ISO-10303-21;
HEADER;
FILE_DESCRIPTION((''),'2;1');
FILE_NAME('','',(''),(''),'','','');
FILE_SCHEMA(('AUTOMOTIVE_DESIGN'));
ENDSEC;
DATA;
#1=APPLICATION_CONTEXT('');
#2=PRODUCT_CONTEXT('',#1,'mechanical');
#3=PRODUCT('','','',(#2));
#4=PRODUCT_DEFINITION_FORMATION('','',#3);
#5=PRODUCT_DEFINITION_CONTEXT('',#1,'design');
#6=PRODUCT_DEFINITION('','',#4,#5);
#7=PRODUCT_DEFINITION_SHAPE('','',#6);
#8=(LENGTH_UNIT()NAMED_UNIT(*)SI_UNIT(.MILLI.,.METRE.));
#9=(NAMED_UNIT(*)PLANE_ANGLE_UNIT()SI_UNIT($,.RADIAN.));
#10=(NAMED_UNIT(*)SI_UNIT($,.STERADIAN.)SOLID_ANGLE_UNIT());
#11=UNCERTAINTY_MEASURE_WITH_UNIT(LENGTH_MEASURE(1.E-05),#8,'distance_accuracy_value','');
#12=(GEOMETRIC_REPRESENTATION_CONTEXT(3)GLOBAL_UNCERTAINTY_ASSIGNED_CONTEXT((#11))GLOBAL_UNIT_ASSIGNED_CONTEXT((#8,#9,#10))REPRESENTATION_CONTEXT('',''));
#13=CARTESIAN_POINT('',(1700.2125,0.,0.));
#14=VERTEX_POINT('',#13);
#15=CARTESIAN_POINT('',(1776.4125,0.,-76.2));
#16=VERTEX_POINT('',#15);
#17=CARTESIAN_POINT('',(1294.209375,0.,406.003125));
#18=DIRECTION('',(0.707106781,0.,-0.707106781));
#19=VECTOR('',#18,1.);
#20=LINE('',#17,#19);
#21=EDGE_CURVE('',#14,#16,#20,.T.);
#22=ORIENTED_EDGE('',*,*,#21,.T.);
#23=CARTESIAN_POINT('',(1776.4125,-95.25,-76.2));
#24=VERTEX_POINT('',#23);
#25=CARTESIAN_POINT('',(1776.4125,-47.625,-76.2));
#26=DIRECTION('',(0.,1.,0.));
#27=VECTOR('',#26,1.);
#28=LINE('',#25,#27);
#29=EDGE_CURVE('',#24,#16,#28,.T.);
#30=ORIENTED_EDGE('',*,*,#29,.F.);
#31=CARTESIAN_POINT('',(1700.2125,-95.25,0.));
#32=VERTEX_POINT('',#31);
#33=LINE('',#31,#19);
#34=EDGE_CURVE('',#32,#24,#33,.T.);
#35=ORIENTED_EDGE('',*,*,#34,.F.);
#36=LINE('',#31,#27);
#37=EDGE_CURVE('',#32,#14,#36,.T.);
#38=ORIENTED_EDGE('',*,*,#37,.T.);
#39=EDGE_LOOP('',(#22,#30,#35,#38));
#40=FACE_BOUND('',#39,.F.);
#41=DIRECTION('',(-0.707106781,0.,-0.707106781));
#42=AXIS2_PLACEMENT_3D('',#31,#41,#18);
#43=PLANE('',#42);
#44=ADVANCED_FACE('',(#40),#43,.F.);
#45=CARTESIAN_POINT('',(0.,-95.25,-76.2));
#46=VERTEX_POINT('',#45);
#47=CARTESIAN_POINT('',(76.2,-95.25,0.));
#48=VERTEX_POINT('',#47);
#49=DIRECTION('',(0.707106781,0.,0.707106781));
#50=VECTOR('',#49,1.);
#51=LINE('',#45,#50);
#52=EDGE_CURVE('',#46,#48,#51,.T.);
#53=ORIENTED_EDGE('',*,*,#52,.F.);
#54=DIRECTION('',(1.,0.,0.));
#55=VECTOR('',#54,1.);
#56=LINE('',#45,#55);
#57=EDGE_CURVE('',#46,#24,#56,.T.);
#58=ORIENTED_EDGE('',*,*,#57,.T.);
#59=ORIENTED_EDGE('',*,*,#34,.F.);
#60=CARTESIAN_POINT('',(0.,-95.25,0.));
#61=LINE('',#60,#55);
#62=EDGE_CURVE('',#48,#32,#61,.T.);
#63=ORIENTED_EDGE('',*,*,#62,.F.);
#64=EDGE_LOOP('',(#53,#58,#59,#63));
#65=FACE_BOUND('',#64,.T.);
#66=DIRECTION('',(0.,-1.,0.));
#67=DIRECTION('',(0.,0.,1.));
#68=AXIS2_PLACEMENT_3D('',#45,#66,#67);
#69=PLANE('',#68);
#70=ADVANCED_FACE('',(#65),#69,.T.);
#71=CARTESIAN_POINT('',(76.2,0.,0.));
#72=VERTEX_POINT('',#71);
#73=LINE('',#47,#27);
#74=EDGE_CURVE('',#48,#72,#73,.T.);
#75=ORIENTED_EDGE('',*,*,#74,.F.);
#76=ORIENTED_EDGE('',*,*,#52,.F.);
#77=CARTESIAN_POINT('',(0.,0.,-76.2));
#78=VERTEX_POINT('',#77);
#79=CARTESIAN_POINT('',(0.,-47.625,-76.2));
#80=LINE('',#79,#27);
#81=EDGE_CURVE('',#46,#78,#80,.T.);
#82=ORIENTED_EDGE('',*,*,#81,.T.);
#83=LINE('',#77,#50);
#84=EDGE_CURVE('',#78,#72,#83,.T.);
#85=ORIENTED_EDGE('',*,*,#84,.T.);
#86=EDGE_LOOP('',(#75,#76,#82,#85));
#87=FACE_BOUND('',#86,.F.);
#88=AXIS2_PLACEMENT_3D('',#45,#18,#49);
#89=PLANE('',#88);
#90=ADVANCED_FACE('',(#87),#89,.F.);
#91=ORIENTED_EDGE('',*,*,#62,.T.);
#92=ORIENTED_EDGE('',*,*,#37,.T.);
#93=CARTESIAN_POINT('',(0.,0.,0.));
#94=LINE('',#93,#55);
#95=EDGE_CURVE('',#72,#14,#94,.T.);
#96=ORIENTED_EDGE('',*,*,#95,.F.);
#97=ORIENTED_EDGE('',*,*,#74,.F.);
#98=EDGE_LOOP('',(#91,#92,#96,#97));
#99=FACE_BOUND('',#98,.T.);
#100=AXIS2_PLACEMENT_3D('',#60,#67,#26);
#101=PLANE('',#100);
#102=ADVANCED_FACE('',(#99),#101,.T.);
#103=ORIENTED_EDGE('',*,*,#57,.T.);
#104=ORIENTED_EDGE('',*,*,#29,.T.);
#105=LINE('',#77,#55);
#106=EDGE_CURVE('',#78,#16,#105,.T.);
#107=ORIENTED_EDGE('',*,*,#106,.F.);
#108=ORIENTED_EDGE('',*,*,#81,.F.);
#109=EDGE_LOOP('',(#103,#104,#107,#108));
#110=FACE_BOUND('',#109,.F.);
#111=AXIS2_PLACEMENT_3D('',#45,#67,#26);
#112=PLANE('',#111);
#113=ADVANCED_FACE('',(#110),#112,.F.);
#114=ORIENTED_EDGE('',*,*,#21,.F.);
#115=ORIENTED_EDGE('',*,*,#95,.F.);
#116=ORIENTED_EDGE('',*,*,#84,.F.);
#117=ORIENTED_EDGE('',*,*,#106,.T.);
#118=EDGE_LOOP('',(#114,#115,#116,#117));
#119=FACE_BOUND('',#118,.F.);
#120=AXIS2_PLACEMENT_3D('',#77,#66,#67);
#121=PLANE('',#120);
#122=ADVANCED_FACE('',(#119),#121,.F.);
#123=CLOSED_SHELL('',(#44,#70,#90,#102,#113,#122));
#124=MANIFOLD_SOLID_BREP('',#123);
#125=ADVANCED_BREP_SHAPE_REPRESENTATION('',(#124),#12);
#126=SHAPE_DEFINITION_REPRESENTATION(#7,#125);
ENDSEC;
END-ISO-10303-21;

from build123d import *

# Parameters (mm, degrees)
F0_W     = 95.25
F0_H     = 76.2
F1_DEPTH = 1776.4125
F3_DEPTH = 95.251


with BuildPart() as f1:
    # F0 (on Right) → F1 (new body)
    with BuildSketch(Plane.YZ):
        with Locations((-47.625, -38.1)):
            Rectangle(F0_W, F0_H)
    extrude(amount=F1_DEPTH)

    # F2 (on face) → F3 (cut, through all)
    with BuildSketch(Plane.XZ.offset(95.25)):
        Polygon((0, 0), (0, -76.2), (76.2, 0), align=None)
        Polygon((1776.4125, -76.2), (1776.4125, 0), (1700.2125, 0), align=None)
    extrude(amount=-F3_DEPTH, mode=Mode.SUBTRACT)


solid = f1.part
